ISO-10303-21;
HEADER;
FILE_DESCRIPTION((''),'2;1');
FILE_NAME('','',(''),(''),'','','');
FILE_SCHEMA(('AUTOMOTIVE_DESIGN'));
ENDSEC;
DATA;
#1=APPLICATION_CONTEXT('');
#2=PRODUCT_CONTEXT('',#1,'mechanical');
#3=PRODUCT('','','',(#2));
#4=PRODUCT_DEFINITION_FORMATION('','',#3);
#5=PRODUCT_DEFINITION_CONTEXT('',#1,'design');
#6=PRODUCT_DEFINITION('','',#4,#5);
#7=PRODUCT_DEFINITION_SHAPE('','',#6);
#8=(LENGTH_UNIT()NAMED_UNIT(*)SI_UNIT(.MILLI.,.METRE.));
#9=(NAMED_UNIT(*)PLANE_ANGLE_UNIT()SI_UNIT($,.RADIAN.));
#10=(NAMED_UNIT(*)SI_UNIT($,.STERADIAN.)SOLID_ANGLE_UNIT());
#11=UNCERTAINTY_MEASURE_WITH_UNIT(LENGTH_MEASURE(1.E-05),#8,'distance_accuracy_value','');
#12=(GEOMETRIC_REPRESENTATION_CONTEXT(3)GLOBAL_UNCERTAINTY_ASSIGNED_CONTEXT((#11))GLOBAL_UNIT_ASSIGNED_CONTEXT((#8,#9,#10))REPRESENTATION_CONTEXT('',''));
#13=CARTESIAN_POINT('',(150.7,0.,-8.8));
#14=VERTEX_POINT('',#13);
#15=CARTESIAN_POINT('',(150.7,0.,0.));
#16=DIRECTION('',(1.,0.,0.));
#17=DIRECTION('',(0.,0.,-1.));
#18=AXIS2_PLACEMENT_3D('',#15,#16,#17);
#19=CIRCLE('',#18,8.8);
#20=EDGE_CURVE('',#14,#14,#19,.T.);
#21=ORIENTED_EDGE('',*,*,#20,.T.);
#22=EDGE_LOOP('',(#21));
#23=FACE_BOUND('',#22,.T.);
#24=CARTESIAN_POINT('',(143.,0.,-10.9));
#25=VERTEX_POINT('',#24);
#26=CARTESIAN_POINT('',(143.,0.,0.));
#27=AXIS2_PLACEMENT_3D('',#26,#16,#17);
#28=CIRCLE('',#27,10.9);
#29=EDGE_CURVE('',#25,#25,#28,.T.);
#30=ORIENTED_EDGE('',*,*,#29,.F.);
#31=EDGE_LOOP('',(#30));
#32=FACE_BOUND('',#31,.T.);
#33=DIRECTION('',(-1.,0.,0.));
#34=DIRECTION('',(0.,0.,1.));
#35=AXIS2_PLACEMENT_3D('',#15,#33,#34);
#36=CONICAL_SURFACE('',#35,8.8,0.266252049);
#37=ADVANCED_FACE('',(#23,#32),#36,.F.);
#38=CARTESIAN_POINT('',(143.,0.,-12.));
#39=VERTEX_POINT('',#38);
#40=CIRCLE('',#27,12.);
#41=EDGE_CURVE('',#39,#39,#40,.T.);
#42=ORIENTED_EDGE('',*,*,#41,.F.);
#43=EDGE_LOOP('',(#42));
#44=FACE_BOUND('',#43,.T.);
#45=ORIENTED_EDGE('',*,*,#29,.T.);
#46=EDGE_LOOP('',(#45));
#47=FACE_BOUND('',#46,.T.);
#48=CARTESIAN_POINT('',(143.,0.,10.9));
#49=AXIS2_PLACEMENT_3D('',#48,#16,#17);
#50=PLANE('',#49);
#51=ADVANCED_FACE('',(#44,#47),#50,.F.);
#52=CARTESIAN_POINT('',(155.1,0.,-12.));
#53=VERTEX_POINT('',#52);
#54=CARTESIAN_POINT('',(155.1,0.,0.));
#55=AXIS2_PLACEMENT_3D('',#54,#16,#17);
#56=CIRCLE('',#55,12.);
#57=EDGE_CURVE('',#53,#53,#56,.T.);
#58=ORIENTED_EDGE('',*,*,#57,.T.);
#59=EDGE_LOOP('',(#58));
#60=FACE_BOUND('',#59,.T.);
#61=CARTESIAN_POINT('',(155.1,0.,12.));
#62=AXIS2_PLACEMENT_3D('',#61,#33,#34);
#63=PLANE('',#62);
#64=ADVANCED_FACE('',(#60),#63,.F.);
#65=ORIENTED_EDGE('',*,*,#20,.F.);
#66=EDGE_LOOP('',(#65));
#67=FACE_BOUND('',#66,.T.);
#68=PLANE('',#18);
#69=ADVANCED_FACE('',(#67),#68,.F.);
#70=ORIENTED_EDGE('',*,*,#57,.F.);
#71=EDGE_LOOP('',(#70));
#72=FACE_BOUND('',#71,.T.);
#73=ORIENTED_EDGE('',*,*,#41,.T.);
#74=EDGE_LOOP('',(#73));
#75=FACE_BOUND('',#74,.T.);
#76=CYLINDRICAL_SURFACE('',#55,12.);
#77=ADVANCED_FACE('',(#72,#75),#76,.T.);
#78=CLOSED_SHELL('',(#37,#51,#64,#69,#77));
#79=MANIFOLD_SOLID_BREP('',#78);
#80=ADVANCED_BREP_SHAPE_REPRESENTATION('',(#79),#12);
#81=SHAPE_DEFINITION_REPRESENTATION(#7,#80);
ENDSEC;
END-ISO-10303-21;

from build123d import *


with BuildPart() as part:
    # Sketch5 → Revolve1 (revolve)
    with BuildSketch(Plane(origin=(0, 0, 0), x_dir=(1, 0, 0), z_dir=(0, 1, 0)), mode=Mode.PRIVATE) as revolve1_sk:
        Polygon((150.7, 0), (150.7, -8.8), (143, -10.9), (143, -12), (155.1, -12), (155.1, 0), align=None)
    revolve(revolve1_sk.sketch.rotate(Axis((155.1, 0, 0), (-1, 0, 0)), 180), axis=Axis((155.1, 0, 0), (-1, 0, 0)))


solid = part.part
